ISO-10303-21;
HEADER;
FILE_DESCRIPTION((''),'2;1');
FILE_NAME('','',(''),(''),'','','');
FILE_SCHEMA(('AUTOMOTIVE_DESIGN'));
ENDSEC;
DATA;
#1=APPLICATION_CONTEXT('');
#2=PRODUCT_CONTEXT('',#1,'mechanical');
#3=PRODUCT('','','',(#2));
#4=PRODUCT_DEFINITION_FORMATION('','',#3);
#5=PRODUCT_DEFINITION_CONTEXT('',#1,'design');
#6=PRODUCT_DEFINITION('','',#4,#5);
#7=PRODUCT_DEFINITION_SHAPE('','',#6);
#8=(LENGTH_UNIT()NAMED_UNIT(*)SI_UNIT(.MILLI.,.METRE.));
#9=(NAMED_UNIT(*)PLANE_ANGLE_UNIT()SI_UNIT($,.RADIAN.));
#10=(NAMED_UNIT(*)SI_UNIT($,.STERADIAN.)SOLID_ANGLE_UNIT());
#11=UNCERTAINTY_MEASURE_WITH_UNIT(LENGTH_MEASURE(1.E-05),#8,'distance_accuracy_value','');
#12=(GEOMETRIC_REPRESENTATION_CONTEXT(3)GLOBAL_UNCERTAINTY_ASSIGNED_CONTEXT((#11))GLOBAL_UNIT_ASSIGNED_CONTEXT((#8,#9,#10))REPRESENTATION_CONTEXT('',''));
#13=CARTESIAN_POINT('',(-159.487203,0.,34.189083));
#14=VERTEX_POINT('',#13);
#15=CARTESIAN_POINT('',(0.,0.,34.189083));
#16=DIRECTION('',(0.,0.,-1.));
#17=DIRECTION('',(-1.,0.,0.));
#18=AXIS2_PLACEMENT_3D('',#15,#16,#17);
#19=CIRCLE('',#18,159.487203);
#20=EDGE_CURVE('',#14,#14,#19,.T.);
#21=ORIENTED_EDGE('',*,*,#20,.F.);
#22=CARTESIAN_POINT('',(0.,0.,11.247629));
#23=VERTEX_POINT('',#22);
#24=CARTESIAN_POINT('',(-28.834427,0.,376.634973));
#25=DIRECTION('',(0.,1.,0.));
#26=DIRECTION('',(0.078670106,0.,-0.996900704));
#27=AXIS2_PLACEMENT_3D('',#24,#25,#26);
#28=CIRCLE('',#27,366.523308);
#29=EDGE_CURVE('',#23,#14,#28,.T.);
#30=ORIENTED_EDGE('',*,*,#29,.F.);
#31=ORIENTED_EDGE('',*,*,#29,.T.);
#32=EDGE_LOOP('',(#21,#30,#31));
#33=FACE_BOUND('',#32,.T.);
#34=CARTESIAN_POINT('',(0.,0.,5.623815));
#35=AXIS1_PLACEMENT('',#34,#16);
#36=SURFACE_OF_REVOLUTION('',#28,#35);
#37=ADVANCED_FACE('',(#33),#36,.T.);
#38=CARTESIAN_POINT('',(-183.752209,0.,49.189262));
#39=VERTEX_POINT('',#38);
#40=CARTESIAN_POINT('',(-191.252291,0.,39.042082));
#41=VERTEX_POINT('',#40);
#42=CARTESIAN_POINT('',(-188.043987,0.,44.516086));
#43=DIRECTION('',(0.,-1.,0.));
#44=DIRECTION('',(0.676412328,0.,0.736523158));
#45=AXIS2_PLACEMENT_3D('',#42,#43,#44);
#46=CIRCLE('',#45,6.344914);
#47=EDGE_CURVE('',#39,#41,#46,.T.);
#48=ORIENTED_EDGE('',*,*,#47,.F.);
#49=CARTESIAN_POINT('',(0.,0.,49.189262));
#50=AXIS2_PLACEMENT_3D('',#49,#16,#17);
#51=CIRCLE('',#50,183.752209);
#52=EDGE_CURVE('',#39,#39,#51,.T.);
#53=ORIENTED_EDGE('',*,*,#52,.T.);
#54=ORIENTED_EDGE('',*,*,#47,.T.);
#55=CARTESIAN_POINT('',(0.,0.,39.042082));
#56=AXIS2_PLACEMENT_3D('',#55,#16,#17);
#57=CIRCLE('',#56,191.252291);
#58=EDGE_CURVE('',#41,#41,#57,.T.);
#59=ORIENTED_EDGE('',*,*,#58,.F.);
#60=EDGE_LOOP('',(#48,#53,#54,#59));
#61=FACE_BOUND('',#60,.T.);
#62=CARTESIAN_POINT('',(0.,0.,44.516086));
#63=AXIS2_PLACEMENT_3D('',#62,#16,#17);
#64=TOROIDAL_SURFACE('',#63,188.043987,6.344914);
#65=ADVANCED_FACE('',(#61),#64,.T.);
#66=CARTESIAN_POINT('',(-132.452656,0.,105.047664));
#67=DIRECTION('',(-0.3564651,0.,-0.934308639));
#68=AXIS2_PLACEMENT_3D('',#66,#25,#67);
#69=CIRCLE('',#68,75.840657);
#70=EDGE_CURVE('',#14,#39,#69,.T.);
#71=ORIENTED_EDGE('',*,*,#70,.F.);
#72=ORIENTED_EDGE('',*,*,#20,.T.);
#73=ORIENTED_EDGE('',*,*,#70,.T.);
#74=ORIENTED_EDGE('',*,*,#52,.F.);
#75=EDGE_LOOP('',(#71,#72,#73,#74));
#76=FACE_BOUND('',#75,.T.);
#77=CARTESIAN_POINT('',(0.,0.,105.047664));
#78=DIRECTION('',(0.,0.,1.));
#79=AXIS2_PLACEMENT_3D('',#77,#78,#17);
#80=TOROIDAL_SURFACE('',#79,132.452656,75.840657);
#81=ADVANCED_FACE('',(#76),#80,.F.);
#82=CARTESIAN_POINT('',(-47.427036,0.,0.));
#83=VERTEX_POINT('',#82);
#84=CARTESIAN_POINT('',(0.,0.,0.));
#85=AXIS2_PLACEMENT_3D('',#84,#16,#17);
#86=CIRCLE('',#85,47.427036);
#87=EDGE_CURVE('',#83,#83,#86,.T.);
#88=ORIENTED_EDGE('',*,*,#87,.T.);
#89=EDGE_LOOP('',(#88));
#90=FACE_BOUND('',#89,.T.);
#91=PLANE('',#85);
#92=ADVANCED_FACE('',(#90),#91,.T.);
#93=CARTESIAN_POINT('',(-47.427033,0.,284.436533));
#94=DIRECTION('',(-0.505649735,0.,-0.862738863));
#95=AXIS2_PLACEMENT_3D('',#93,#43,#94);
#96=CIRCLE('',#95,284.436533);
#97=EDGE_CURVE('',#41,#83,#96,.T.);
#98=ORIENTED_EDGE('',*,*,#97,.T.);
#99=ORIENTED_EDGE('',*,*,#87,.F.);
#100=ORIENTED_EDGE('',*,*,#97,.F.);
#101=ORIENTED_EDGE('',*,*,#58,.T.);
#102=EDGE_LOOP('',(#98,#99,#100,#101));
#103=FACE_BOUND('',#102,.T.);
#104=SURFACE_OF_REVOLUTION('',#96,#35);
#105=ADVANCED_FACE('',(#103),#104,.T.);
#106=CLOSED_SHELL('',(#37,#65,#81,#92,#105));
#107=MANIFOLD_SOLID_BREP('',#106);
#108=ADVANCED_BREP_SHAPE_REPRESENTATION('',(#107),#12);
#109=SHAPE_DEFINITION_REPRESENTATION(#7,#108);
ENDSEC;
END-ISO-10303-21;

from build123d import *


with BuildPart() as f1:
    # F0 (on Front) → F1 (revolve)
    with BuildSketch(Plane.XZ):
        with BuildLine():
            Line((0, 0), (0, 11.247629))
            ThreePointArc((0, 11.247629), (-81.019881, 13.845759), (-159.487203, 34.189083))
            ThreePointArc((-159.487203, 34.189083), (-172.331336, 40.538005), (-183.752209, 49.189262))
            ThreePointArc((-183.752209, 49.189262), (-193.146417, 48.287444), (-191.252291, 39.042082))
            ThreePointArc((-191.252291, 39.042082), (-121.942115, 9.933994), (-47.427036, 0))
            Line((-47.427036, 0), (0, 0))
        make_face()
    revolve(axis=Axis((0, 0, 5.623815), (0, 0, -1)))


solid = f1.part
